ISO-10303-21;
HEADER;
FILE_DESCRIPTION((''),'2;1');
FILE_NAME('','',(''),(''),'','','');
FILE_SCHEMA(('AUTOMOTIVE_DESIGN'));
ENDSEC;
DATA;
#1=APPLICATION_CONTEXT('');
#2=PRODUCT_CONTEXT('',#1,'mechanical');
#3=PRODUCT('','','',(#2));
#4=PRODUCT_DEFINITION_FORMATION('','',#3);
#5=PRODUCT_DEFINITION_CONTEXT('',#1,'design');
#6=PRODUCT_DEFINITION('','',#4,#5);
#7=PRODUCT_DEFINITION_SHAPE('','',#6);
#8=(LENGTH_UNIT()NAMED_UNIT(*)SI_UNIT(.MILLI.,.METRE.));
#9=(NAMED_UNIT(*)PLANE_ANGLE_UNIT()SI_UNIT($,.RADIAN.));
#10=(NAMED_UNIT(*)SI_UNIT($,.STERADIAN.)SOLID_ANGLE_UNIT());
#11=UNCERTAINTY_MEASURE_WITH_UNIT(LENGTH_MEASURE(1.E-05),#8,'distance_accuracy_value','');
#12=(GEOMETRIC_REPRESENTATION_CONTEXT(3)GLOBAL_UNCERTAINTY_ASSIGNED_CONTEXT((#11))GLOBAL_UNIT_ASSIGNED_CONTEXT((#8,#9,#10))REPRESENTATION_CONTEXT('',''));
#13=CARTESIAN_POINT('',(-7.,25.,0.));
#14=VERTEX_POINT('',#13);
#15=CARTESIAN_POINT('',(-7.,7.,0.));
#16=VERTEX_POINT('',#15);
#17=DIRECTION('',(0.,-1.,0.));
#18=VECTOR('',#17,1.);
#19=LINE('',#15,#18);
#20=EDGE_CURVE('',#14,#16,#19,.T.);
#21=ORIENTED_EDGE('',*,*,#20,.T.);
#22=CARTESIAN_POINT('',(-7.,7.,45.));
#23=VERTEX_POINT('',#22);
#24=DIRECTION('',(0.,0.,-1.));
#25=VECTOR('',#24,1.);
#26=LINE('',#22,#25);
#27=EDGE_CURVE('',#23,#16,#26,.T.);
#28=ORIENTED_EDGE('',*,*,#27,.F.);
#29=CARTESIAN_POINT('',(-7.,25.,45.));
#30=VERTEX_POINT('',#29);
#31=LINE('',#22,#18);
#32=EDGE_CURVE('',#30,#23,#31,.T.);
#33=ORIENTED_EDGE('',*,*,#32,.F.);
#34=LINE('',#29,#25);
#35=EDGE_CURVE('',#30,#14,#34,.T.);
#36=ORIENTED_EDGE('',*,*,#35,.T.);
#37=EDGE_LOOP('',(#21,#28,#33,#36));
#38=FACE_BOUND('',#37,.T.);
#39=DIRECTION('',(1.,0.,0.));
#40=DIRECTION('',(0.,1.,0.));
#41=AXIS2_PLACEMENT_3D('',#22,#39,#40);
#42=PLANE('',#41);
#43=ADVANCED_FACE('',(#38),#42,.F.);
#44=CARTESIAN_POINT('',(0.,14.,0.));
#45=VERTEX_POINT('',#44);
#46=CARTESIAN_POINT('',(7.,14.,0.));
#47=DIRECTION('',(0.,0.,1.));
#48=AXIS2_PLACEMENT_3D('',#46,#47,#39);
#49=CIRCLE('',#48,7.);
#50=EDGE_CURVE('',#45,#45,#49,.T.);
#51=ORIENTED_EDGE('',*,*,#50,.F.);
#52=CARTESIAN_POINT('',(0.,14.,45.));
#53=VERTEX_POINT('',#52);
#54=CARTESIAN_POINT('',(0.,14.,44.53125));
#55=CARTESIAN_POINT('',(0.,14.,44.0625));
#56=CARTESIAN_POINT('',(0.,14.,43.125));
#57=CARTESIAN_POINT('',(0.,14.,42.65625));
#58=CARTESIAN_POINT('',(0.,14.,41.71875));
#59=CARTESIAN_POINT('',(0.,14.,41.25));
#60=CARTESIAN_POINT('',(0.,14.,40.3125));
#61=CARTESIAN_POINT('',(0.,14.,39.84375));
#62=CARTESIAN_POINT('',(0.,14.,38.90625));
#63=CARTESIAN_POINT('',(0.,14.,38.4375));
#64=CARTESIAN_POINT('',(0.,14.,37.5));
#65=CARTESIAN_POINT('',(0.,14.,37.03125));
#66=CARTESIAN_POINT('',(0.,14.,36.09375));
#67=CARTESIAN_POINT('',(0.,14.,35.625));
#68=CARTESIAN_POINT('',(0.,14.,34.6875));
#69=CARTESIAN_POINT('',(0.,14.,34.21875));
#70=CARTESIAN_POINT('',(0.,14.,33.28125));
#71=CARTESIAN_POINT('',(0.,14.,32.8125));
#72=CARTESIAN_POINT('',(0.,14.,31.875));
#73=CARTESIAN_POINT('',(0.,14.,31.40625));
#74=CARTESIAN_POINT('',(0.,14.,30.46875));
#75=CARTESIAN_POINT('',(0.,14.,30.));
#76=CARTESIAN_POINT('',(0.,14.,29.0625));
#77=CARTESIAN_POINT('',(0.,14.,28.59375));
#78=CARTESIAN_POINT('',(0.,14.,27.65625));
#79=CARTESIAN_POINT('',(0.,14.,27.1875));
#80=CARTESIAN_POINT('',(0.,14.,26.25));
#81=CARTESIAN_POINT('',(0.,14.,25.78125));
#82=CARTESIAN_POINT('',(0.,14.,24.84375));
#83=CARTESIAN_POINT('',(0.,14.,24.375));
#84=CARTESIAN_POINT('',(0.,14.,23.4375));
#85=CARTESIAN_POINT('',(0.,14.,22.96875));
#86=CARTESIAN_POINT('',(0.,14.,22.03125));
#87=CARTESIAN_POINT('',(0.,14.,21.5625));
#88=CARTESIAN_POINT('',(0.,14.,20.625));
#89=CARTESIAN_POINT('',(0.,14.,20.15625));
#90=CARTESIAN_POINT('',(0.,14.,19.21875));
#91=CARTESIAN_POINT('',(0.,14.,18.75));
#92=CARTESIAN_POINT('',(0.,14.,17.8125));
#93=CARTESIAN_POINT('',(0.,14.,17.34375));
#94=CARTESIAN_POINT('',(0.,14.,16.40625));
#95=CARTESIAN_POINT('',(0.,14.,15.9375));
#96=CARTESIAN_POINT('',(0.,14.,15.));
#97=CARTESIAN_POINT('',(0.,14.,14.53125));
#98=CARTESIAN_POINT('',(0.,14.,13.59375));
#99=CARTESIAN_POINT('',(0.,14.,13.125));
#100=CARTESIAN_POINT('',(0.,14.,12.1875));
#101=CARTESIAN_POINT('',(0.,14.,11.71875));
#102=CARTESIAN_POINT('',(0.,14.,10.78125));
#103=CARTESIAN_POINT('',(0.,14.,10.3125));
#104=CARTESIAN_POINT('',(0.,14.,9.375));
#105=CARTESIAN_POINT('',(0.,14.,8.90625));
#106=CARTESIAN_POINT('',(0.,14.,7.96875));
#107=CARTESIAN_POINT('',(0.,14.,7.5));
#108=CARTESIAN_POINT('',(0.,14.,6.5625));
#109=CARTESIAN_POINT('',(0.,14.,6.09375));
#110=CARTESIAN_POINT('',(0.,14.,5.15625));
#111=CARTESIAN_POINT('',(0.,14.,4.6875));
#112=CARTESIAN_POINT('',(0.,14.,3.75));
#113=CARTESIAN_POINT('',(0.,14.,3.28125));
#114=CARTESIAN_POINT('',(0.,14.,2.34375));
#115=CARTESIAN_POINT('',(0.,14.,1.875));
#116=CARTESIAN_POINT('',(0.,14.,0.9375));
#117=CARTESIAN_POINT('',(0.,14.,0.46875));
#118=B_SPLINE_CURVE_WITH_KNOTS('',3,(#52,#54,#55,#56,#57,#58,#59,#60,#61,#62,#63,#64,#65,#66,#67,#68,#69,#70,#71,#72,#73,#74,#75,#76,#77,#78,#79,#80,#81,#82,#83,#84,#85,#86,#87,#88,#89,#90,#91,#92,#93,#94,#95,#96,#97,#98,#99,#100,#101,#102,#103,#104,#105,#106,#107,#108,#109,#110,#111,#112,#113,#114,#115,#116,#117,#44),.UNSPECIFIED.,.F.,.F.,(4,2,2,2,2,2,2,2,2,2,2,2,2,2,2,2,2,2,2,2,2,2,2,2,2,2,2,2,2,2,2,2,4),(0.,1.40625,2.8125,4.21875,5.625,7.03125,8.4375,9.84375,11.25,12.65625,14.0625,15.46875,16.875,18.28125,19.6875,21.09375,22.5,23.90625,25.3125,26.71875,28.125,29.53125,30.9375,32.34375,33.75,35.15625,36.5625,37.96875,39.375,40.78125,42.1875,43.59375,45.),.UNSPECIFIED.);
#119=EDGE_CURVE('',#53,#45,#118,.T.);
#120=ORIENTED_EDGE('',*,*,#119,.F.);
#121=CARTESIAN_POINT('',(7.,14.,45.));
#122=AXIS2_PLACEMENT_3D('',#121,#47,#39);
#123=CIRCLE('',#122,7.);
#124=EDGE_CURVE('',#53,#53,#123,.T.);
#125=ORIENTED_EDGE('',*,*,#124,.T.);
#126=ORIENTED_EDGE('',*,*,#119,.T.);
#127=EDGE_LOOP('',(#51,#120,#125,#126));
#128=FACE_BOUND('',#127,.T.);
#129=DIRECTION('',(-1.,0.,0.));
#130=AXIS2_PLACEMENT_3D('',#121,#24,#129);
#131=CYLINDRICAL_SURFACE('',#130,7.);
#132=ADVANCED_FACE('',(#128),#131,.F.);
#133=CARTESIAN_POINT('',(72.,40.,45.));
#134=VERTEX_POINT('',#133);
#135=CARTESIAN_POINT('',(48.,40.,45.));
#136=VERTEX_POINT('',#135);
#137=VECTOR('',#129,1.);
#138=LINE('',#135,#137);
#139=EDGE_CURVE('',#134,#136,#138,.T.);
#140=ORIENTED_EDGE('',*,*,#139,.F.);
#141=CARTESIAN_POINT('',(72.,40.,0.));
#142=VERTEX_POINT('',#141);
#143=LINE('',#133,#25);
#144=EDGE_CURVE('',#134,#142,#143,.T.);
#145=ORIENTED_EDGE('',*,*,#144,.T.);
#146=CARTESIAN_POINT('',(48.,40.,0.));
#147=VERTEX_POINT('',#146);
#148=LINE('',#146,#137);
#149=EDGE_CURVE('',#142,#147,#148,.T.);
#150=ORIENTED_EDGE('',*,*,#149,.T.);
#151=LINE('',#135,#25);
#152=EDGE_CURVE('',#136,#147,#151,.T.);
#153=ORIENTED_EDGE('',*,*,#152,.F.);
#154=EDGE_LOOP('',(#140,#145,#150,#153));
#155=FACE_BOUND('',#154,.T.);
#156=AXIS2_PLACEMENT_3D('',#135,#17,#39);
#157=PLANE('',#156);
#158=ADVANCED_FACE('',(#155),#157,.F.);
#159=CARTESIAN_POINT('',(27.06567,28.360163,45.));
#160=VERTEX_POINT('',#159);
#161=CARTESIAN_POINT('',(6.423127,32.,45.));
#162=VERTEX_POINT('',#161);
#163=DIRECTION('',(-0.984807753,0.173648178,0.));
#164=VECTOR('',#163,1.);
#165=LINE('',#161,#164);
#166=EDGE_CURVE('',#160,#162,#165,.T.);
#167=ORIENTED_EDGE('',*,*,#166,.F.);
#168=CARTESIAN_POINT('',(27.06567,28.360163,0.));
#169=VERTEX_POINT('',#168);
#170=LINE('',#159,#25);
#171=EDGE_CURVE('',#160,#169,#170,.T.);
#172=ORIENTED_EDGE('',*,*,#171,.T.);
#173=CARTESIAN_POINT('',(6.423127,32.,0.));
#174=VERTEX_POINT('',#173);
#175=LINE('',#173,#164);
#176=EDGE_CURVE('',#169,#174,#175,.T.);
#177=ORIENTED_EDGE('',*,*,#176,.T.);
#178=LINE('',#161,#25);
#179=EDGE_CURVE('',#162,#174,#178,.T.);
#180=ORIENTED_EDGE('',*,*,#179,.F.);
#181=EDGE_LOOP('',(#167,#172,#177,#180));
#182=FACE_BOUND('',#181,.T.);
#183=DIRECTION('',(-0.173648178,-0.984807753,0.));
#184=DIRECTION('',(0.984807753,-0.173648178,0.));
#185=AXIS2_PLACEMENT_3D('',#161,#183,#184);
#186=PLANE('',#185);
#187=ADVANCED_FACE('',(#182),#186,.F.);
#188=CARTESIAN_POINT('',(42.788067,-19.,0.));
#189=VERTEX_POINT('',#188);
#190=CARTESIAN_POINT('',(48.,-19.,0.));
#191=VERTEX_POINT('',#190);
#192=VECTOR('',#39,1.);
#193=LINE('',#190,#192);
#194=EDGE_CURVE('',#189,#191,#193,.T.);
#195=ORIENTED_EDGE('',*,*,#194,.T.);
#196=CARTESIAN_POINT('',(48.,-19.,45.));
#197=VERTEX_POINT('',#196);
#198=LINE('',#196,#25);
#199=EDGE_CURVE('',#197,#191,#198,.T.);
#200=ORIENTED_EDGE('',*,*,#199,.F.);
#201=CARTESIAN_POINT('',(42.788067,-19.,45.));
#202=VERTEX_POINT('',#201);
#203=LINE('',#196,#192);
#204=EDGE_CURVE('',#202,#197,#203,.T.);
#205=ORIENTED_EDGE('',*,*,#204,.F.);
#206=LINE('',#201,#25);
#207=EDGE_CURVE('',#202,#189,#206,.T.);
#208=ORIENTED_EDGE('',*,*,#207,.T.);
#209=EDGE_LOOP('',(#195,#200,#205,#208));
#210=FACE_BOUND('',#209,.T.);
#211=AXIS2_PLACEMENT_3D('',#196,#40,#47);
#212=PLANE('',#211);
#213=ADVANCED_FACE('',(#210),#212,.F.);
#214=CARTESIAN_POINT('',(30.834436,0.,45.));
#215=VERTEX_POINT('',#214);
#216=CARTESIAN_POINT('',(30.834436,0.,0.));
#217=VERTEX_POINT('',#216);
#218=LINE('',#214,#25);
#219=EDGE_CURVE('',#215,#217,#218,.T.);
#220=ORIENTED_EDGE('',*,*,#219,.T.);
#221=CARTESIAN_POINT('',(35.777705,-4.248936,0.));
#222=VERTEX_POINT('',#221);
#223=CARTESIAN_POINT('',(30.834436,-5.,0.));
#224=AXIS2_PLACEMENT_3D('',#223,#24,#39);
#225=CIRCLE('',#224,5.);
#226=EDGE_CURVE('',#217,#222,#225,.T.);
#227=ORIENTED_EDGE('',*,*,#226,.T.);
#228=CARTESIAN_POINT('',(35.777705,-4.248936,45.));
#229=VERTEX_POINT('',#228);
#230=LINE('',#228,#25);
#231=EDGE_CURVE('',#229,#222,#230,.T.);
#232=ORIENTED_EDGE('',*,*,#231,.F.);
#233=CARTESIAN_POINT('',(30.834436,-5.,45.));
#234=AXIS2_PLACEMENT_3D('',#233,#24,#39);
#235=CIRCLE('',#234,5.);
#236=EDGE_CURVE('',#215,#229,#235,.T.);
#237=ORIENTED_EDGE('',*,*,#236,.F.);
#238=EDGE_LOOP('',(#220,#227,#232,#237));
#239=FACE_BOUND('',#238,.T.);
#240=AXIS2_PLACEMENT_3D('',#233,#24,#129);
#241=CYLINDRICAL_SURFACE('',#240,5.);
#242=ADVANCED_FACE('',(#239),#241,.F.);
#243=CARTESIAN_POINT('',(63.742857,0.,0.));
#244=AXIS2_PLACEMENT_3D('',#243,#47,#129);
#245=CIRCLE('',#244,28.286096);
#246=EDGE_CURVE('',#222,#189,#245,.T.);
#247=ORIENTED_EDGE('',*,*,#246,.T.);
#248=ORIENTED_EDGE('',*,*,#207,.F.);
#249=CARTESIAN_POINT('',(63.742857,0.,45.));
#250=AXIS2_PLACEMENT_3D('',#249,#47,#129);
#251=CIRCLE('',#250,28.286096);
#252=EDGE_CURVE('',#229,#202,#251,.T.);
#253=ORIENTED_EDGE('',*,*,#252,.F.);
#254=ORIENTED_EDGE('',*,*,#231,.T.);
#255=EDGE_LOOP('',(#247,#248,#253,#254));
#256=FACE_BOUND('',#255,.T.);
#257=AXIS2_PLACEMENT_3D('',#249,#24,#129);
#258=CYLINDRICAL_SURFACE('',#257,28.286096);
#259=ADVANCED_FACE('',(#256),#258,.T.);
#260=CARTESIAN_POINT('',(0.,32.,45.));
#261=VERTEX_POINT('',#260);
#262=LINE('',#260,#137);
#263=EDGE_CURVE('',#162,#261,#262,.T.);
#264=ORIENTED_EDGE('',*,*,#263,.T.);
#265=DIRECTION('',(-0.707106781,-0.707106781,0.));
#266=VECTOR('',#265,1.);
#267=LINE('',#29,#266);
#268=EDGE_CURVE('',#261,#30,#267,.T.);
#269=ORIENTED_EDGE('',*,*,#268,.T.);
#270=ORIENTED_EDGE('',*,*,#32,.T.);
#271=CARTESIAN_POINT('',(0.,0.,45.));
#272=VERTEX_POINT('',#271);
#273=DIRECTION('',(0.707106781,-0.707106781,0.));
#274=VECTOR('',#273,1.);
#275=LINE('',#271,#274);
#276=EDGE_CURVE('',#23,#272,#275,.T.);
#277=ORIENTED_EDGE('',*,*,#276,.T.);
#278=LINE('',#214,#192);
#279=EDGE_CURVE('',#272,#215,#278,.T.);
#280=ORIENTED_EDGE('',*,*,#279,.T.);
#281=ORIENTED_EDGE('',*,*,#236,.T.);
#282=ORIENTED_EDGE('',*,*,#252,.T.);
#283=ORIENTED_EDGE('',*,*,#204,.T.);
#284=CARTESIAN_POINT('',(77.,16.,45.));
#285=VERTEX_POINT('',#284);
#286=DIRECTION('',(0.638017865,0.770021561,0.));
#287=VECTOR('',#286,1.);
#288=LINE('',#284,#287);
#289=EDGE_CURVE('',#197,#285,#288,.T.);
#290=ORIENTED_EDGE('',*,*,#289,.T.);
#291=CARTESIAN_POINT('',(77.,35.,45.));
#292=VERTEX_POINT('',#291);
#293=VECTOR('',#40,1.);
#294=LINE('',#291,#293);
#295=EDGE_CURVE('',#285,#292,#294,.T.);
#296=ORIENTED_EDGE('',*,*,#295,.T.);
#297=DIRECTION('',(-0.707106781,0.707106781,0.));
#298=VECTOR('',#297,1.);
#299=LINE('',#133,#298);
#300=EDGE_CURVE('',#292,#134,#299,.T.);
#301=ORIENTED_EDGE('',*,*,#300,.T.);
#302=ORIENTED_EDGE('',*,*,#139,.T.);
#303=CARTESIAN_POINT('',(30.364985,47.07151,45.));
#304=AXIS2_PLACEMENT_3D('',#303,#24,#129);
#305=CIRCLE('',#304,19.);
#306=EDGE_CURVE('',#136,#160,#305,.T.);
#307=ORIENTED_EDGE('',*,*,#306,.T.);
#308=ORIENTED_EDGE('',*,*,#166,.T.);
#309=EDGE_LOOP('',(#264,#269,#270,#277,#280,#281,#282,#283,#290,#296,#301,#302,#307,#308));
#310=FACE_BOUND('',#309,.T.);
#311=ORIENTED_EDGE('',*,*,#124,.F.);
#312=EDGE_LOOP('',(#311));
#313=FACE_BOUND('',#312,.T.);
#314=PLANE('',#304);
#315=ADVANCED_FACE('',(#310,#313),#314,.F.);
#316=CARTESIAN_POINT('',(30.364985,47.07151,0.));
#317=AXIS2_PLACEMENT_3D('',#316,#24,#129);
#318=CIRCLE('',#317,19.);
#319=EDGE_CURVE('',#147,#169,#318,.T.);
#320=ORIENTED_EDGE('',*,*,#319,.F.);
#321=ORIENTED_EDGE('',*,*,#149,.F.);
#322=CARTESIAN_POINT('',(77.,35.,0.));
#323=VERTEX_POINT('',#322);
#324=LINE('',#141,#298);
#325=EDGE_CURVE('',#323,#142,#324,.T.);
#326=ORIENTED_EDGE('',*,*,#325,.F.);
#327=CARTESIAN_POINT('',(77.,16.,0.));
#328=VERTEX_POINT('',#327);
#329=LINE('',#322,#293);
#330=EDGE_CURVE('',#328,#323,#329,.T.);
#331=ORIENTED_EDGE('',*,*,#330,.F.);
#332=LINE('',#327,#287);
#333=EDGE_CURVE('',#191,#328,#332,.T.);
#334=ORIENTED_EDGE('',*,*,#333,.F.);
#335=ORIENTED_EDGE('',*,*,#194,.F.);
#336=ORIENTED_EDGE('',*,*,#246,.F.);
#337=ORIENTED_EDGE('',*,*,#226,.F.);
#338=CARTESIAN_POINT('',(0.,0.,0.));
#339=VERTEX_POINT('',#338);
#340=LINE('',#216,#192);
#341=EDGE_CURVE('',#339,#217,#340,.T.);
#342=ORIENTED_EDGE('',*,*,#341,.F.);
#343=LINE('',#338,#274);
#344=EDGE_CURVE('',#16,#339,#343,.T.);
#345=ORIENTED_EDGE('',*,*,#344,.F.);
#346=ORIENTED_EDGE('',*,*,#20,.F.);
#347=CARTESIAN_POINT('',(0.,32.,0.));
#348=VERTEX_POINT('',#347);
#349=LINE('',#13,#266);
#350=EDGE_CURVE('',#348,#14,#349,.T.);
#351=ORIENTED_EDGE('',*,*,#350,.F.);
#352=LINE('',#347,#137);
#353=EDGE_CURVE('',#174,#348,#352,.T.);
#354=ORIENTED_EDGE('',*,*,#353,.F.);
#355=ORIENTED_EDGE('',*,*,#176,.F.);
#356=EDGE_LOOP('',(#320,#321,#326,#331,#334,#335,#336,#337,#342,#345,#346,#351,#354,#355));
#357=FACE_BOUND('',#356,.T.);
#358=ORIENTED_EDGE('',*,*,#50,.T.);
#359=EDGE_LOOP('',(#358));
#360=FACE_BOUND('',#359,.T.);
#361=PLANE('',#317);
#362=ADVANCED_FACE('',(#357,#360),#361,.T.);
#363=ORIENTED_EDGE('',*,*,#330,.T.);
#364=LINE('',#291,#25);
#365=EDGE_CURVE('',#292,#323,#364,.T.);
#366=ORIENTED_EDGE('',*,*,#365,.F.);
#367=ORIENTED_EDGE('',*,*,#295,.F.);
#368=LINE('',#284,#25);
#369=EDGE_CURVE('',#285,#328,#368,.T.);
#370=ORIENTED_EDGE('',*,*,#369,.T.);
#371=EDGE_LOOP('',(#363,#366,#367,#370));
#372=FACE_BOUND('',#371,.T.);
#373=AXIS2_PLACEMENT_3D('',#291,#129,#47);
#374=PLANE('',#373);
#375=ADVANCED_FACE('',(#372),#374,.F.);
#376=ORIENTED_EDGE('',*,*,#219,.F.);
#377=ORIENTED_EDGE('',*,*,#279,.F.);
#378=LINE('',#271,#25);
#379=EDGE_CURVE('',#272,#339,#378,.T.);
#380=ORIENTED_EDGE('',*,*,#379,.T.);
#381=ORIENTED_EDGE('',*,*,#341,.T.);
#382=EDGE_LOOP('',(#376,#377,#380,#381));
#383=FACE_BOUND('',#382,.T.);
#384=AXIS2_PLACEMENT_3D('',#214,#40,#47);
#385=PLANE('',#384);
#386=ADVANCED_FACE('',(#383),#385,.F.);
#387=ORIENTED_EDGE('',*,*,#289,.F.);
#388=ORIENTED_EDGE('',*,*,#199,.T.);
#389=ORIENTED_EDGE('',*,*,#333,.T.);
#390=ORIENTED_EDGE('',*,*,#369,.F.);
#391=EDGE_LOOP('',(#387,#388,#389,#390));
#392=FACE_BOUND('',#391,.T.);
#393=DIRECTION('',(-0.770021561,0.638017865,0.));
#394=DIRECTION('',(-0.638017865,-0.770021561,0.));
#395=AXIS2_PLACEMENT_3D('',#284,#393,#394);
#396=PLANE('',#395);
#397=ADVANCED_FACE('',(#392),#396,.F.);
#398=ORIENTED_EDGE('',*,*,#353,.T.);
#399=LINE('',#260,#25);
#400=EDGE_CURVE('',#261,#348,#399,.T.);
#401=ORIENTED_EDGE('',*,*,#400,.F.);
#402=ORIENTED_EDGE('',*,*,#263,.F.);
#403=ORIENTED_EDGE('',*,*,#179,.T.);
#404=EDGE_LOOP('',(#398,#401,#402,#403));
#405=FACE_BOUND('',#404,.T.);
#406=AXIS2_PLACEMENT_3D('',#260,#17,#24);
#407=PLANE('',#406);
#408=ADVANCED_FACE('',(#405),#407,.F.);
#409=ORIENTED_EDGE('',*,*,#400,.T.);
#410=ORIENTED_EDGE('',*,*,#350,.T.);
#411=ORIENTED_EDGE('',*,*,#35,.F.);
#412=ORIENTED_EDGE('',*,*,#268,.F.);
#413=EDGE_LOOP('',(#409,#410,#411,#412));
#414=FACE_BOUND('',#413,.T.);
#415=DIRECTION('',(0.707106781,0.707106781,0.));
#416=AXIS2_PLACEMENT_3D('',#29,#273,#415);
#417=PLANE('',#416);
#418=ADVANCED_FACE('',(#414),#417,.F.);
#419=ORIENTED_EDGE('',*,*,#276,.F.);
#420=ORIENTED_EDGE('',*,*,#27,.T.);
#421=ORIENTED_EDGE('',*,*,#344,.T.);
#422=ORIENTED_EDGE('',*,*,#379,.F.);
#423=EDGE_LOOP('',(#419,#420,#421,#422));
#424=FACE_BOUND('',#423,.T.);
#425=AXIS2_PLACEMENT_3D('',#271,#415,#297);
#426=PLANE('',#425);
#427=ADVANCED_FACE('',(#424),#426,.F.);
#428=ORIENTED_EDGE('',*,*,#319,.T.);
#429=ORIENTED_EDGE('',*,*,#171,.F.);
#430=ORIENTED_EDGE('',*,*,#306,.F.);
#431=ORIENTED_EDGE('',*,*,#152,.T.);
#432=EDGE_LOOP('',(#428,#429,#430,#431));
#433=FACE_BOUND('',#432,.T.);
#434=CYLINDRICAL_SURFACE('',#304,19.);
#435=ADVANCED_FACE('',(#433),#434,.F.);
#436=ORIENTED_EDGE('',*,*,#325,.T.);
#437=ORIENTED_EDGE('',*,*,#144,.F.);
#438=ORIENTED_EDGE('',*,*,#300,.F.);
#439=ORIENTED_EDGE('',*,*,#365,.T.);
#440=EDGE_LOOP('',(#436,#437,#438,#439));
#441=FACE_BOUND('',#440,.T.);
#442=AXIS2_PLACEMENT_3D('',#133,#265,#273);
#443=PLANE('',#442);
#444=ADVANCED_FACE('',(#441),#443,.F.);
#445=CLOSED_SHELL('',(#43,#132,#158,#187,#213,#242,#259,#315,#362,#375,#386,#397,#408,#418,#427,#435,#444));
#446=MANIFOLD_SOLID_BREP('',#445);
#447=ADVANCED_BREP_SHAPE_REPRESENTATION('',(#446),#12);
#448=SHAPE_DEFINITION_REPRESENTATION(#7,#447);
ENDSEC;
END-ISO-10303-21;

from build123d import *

# Parameters (mm, degrees)
SKETCH1_R           = 7
BOSS_EXTRUDE1_DEPTH = 45


with BuildPart() as part:
    # Sketch1 → Boss-Extrude1 (new body)
    with BuildSketch(Plane.XY):
        with BuildLine():
            Line((0, 0), (-7, 7))
            Line((-7, 7), (-7, 25))
            Line((-7, 25), (0, 32))
            Line((0, 32), (6.423127039, 32))
            Line((6.423127039, 32), (27.065669866, 28.360162749))
            ThreePointArc((27.065669866, 28.360162749), (39.598052013, 30.465773758), (48, 40))
            Line((48, 40), (72, 40))
            Line((72, 40), (77, 35))
            Line((77, 35), (77, 16))
            Line((77, 16), (48, -19))
            Line((48, -19), (42.788067397, -19))
            ThreePointArc((42.788067397, -19), (38.195084944, -12.141439328), (35.777704557, -4.248935646))
            ThreePointArc((35.777704557, -4.248935646), (34.093629186, -1.208211387), (30.83443617, 0))
            Line((30.83443617, 0), (0, 0))
        make_face()
        with Locations(Location((7, 14, 0), (0, 0, 180))):
            Circle(SKETCH1_R, mode=Mode.SUBTRACT)
    extrude(amount=BOSS_EXTRUDE1_DEPTH)


solid = part.part
